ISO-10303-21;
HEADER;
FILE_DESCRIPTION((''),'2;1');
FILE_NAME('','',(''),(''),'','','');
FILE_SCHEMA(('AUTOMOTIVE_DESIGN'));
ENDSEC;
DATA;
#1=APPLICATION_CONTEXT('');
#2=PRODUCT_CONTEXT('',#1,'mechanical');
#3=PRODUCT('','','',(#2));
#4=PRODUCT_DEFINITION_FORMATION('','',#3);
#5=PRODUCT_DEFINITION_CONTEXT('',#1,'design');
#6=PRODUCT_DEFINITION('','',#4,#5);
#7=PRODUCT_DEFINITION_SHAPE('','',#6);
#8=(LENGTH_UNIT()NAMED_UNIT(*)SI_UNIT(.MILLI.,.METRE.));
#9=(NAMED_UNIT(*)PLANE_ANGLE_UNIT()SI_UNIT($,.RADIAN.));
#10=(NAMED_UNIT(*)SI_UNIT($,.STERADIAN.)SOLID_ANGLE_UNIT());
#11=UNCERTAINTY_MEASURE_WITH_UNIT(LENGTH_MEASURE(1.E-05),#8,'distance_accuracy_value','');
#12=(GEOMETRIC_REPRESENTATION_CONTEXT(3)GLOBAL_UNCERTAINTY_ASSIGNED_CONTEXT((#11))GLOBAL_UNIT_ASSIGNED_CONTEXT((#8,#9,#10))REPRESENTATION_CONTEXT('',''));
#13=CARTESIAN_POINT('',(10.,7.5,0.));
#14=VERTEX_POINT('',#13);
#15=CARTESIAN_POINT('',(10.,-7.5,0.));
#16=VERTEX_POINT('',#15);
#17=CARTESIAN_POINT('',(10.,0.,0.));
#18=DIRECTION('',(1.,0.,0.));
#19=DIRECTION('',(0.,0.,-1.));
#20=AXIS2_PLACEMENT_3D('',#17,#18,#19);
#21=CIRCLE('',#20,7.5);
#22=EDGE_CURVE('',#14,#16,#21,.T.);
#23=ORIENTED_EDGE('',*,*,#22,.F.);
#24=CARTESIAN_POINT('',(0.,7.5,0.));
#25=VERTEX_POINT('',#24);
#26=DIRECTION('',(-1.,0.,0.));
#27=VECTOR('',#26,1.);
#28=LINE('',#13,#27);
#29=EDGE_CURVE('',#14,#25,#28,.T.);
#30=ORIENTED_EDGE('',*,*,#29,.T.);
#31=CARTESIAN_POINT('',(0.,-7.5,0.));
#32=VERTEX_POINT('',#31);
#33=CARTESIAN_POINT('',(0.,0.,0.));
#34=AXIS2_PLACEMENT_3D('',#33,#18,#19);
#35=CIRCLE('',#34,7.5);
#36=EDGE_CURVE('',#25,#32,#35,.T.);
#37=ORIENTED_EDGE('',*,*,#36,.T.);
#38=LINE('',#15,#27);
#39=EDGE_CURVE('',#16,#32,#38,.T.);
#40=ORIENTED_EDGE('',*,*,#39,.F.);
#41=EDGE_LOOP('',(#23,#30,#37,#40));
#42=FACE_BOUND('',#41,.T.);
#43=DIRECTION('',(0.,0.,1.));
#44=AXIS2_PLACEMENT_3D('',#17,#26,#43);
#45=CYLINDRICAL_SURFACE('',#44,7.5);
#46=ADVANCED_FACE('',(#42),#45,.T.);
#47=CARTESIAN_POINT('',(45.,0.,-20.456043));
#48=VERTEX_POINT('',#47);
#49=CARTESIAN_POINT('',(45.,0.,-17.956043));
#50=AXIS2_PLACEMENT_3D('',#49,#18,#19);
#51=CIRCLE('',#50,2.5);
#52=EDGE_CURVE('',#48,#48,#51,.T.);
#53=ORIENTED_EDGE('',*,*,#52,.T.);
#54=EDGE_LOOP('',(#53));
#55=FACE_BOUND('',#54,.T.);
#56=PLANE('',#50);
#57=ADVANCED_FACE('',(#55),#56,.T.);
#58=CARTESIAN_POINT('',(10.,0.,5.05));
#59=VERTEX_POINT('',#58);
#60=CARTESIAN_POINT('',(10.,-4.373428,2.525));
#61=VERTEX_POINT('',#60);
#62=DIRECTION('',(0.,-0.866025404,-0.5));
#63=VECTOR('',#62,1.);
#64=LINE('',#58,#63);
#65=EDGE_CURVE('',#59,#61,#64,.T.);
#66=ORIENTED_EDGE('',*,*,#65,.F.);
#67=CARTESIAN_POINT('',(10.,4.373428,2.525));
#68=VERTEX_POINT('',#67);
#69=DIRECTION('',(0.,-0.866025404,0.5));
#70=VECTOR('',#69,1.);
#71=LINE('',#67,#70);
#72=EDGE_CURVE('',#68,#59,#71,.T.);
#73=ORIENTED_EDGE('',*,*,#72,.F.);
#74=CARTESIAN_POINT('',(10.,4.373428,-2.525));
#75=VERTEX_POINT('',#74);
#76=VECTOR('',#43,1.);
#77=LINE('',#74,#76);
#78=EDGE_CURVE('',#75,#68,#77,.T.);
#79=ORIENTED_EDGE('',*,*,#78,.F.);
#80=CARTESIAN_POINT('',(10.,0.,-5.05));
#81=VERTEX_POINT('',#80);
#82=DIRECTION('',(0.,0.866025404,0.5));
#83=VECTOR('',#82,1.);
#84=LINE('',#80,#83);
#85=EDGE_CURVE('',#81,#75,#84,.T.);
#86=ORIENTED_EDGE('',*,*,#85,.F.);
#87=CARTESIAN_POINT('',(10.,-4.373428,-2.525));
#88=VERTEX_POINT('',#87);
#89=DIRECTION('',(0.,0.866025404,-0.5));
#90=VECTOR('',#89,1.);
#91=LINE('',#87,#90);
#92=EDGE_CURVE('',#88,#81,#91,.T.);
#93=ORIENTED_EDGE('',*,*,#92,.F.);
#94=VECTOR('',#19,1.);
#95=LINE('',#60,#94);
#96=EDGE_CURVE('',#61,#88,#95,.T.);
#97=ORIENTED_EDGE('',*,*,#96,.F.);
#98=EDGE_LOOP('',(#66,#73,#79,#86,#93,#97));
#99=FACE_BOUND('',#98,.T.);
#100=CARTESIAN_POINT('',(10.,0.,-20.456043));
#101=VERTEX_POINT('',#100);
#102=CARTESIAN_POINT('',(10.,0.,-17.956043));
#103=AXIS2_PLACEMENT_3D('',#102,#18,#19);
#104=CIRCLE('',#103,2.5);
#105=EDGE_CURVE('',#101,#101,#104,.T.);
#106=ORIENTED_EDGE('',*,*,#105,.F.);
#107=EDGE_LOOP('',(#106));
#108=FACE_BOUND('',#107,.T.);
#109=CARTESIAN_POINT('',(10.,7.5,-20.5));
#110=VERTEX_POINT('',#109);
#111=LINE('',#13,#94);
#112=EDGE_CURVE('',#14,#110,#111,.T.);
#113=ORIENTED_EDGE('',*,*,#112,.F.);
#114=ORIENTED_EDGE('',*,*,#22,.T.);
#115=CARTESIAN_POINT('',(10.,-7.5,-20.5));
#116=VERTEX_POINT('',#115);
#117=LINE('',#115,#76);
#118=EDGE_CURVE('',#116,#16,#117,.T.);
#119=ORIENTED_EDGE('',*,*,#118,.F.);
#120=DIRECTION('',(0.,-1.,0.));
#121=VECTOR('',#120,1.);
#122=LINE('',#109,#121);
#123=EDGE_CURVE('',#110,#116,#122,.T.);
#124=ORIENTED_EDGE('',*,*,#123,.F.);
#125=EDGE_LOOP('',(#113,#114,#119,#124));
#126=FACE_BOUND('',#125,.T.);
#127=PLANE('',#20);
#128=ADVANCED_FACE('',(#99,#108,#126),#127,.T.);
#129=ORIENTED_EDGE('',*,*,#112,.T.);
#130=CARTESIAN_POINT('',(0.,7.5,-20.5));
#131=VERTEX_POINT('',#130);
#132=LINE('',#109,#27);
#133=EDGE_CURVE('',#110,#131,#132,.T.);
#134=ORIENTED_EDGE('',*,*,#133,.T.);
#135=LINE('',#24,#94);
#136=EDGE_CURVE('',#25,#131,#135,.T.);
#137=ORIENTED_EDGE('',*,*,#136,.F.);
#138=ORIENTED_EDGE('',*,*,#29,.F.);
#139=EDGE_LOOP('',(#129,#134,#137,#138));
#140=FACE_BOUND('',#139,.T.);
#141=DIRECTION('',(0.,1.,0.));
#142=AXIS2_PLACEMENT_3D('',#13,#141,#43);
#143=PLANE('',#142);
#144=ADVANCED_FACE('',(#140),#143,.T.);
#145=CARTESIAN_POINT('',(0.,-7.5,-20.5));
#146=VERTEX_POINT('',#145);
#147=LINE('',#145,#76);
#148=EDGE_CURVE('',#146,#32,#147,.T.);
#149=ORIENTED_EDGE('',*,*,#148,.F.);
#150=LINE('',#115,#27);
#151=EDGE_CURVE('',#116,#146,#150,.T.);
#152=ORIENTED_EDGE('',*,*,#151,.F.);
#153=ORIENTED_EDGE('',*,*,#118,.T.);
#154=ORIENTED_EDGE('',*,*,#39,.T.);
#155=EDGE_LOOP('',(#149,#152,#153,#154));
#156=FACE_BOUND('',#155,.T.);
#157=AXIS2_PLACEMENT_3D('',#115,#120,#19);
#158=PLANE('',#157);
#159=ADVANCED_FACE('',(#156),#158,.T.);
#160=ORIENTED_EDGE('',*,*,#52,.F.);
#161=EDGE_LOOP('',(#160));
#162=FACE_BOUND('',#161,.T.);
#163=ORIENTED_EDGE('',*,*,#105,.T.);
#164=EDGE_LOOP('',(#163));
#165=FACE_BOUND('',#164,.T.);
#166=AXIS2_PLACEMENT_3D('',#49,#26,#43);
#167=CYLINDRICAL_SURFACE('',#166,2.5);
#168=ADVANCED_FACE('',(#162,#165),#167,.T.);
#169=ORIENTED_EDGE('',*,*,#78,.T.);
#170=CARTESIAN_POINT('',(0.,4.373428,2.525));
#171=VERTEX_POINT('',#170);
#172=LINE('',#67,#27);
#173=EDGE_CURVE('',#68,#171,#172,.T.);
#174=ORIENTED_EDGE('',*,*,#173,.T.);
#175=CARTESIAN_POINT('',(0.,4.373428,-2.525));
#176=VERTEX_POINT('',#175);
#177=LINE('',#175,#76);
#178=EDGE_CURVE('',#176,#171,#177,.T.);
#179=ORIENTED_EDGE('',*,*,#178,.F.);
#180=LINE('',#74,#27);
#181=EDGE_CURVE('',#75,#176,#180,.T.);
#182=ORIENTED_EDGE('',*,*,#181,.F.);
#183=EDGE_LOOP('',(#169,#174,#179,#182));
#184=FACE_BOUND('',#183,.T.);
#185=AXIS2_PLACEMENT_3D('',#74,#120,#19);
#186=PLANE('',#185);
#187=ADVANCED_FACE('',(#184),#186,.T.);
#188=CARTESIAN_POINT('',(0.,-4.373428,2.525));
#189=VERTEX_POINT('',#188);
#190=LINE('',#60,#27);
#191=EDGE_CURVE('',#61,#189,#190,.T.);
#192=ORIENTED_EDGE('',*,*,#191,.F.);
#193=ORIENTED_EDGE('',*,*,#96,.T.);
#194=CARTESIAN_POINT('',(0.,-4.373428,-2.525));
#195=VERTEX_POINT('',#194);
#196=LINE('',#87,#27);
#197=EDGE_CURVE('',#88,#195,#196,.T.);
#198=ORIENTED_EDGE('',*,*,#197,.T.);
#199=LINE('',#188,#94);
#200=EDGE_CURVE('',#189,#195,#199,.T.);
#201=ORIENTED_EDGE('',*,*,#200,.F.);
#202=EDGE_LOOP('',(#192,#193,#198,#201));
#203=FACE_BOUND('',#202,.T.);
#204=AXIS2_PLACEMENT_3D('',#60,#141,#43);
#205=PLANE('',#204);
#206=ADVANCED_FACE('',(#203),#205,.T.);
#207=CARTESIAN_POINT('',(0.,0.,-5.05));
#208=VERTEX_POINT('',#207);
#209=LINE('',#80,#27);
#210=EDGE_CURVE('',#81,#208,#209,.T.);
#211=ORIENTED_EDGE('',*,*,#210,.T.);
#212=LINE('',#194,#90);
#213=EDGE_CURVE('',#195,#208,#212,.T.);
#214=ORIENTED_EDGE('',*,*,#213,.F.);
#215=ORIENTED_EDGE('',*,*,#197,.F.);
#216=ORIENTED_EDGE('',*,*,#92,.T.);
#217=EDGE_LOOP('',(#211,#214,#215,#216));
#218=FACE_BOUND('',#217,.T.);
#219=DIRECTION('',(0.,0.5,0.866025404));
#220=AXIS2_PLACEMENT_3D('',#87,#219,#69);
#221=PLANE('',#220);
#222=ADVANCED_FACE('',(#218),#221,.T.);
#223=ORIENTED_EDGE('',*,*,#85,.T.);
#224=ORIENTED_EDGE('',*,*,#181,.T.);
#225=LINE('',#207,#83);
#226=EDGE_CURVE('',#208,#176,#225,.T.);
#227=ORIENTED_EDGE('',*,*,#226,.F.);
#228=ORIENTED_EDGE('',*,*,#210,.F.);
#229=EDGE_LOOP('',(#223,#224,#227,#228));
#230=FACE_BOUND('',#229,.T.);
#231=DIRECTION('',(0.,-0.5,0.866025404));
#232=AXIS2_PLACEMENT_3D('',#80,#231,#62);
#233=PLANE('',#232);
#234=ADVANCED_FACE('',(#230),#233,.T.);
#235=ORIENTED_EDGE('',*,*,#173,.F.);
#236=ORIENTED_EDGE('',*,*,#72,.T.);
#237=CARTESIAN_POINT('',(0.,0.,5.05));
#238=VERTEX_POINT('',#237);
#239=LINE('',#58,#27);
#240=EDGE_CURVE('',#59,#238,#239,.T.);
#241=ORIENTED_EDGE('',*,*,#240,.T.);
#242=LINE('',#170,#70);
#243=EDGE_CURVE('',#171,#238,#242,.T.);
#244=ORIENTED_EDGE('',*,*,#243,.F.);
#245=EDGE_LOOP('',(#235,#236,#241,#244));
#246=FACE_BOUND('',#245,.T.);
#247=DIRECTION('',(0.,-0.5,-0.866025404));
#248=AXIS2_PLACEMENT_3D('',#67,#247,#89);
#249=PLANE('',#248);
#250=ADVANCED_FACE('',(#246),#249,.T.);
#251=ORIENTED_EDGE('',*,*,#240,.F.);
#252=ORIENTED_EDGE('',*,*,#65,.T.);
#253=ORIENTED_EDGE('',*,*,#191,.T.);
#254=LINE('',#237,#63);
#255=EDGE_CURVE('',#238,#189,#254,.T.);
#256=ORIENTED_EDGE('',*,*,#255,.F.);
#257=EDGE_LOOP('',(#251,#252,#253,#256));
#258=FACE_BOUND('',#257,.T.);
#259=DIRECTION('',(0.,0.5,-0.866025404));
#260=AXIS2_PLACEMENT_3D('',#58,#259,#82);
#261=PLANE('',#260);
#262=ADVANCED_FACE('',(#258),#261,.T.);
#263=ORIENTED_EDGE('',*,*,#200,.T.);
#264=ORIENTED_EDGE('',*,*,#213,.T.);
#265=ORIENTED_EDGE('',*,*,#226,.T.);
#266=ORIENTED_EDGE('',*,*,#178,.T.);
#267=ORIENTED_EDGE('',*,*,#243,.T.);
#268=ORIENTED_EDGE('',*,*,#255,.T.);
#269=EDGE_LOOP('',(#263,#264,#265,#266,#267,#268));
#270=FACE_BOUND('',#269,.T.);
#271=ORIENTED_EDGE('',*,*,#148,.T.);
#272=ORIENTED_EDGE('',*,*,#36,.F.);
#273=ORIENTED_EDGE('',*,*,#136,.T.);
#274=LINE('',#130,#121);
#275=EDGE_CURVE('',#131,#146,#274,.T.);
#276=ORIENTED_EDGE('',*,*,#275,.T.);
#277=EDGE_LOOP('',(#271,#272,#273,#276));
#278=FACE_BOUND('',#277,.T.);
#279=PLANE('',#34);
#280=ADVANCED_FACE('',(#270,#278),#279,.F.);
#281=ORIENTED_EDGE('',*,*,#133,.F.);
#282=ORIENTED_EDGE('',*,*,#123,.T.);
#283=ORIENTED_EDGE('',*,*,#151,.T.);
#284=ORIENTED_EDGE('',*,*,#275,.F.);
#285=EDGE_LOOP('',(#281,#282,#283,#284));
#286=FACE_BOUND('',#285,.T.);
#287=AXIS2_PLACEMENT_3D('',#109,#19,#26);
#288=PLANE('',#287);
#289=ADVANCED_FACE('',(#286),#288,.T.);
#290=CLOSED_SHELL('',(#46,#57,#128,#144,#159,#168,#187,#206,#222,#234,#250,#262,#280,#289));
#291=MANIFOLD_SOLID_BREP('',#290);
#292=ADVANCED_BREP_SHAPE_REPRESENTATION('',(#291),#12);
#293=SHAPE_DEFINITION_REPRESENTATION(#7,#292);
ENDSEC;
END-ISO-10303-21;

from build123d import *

# Parameters (mm, degrees)
BOSS_EXTRUDE1_DEPTH = 10
SKETCH2_R           = 2.5
BOSS_EXTRUDE2_DEPTH = 35


with BuildPart() as part:
    # Sketch1 → Boss-Extrude1 (new body)
    with BuildSketch(Plane(origin=(0, 0, 0), x_dir=(0, 0, -1), z_dir=(1, 0, 0))):
        with BuildLine():
            Line((0, 7.5), (20.5, 7.5))
            Line((20.5, 7.5), (20.5, -7.5))
            Line((20.5, -7.5), (0, -7.5))
            ThreePointArc((0, -7.5), (-7.5, 0), (0, 7.5))
        make_face()
        Polygon((5.05, 0), (2.525, 4.373428289), (-2.525, 4.373428289), (-5.05, 0), (-2.525, -4.373428289), (2.525, -4.373428289), align=None, mode=Mode.SUBTRACT)
    extrude(amount=BOSS_EXTRUDE1_DEPTH)

    # Sketch2 → Boss-Extrude2 (add)
    with BuildSketch(Plane(origin=(10, 0, 0), x_dir=(0, 0, -1), z_dir=(1, 0, 0))):
        with Locations((17.956042915, 0)):
            Circle(SKETCH2_R)
    extrude(amount=BOSS_EXTRUDE2_DEPTH)


solid = part.part
